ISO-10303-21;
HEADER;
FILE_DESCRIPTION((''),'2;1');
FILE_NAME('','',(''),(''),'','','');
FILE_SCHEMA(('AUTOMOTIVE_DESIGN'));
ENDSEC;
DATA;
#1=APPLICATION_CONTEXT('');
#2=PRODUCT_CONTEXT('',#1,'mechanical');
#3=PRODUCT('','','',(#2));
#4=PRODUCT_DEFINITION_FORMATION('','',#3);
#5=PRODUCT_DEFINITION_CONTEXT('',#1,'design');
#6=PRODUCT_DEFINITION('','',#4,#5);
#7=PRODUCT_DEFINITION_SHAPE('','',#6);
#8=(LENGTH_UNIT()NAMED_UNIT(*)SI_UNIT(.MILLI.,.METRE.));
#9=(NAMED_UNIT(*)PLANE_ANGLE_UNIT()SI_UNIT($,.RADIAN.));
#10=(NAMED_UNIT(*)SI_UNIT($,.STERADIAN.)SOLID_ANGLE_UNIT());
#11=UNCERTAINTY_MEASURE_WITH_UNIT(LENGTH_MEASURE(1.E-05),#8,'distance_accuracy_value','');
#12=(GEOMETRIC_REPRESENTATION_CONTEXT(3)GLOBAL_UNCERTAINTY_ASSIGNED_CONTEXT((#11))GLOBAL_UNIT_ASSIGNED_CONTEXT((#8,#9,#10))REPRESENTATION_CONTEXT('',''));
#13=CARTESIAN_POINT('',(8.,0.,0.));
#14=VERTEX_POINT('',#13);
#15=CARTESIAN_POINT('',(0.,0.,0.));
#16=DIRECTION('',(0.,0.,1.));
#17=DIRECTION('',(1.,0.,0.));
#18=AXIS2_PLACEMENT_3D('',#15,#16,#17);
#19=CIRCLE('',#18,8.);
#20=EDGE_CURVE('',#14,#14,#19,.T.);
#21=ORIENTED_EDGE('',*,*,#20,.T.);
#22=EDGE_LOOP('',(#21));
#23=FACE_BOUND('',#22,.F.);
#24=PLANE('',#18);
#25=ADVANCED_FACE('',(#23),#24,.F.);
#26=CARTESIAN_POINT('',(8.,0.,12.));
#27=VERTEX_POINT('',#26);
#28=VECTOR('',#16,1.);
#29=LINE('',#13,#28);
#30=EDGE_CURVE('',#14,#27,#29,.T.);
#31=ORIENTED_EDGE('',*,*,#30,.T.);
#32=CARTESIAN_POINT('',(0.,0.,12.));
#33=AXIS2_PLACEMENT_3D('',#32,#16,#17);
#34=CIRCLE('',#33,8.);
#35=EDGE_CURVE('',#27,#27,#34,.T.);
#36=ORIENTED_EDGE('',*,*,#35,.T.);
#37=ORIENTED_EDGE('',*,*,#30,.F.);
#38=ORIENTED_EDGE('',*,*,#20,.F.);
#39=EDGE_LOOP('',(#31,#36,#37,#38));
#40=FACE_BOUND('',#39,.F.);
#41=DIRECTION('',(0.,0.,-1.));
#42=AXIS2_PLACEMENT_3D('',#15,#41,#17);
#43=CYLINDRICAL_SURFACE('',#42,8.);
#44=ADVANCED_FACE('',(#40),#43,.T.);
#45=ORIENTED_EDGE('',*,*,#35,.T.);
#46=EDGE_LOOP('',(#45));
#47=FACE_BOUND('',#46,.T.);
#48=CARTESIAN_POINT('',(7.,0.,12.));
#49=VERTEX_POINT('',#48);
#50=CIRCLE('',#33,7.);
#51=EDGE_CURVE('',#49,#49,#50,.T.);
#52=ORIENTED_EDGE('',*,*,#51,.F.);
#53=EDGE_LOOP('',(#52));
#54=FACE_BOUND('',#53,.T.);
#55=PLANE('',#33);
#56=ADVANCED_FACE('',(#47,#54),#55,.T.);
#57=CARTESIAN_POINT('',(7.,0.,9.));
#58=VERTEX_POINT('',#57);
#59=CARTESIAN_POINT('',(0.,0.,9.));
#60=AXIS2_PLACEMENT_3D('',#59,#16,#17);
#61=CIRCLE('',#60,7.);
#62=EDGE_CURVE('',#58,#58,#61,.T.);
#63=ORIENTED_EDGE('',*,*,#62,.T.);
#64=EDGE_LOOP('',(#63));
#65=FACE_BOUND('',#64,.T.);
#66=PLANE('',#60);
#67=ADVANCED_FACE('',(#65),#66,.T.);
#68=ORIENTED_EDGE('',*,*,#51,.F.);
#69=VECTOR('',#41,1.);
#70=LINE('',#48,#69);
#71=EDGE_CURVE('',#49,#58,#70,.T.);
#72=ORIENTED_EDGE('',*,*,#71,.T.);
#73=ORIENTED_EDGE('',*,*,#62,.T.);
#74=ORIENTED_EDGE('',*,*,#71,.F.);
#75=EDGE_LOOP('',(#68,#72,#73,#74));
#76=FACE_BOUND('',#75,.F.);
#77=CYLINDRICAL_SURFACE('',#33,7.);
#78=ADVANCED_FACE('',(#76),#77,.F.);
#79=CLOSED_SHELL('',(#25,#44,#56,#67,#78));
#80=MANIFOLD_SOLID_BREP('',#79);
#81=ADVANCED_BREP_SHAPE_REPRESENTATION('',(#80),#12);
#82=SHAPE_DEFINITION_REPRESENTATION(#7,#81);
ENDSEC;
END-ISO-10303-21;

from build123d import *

# Parameters (mm, degrees)
SKETCH_R     = 8
PAD_DEPTH    = 12
SKETCH001_R  = 7
POCKET_DEPTH = 3


with BuildPart() as part:
    # Sketch → Pad (new body)
    with BuildSketch(Plane.XY):
        Circle(SKETCH_R)
    extrude(amount=PAD_DEPTH)

    # Sketch001 (on Face3 of Pad) → Pocket (cut)
    with BuildSketch(Plane.XY.offset(12)):
        Circle(SKETCH001_R)
    extrude(amount=-POCKET_DEPTH, mode=Mode.SUBTRACT)


solid = part.part
